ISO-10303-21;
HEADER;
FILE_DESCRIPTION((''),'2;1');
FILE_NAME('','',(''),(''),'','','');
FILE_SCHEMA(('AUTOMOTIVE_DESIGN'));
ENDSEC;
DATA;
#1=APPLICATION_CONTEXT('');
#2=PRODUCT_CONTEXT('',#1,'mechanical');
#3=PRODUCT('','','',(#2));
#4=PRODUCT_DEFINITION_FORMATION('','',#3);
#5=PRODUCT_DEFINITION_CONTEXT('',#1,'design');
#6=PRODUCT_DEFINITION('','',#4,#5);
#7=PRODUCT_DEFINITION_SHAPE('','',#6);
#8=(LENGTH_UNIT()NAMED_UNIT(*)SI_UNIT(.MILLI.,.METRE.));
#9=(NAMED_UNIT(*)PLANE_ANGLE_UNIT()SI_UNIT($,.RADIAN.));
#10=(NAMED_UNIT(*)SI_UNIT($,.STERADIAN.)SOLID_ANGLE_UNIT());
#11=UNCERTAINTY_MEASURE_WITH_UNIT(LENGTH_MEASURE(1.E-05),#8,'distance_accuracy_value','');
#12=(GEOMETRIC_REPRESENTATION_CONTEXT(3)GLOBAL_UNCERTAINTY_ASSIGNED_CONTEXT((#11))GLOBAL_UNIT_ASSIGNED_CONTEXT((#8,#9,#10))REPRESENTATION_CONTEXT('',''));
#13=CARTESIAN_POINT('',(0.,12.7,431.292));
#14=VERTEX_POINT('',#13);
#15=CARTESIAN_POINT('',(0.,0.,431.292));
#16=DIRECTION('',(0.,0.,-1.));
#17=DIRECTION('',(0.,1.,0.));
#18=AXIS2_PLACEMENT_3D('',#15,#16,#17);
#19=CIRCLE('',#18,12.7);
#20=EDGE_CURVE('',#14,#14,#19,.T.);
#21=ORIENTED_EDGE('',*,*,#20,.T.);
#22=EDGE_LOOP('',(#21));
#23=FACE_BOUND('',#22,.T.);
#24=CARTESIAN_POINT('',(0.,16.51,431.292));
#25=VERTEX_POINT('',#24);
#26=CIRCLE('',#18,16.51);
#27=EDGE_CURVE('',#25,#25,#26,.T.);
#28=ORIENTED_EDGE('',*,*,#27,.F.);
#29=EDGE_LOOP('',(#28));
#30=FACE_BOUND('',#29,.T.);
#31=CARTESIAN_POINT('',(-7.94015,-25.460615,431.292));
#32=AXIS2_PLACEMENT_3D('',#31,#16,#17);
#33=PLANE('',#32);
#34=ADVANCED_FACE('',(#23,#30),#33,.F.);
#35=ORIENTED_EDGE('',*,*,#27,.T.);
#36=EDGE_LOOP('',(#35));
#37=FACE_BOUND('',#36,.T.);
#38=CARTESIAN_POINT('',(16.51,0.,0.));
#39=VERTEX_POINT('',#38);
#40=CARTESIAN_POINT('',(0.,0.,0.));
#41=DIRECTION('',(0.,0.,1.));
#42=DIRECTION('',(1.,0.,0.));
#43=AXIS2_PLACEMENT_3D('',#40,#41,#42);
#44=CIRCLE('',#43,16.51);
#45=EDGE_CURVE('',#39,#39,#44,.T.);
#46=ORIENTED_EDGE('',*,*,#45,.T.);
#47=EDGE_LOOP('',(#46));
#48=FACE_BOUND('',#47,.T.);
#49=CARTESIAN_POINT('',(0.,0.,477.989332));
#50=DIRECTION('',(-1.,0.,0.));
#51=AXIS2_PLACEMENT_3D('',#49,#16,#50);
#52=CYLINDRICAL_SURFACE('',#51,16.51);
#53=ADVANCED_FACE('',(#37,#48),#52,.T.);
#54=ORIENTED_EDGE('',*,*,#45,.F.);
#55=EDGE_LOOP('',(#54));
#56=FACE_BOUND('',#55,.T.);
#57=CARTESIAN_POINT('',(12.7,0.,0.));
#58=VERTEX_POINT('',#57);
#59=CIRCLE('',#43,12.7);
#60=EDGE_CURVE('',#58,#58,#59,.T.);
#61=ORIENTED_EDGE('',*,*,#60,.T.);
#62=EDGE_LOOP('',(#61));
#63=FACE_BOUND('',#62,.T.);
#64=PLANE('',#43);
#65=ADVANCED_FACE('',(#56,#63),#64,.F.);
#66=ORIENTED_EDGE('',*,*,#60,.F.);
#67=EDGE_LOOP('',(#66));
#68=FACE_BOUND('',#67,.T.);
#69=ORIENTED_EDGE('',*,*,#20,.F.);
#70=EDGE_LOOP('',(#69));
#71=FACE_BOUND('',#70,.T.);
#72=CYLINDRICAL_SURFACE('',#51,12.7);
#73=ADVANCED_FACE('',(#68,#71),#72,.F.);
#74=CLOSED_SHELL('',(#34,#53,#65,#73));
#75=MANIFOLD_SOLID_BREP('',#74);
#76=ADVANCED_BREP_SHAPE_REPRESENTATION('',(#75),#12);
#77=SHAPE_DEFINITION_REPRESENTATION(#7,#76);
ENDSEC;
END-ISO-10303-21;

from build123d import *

# Parameters (mm, degrees)
SKETCH1_R           = 16.51
SKETCH1_R_2         = 12.7
BOSS_EXTRUDE1_DEPTH = 431.292


with BuildPart() as part:
    # Sketch1 → Boss-Extrude1 (new body)
    with BuildSketch(Plane.XY):
        with Locations(Location((0, 0, 0), (0, 0, 90))):
            Circle(SKETCH1_R)
        with Locations(Location((0, 0, 0), (0, 0, 90))):
            Circle(SKETCH1_R_2, mode=Mode.SUBTRACT)
    extrude(amount=BOSS_EXTRUDE1_DEPTH)


solid = part.part
